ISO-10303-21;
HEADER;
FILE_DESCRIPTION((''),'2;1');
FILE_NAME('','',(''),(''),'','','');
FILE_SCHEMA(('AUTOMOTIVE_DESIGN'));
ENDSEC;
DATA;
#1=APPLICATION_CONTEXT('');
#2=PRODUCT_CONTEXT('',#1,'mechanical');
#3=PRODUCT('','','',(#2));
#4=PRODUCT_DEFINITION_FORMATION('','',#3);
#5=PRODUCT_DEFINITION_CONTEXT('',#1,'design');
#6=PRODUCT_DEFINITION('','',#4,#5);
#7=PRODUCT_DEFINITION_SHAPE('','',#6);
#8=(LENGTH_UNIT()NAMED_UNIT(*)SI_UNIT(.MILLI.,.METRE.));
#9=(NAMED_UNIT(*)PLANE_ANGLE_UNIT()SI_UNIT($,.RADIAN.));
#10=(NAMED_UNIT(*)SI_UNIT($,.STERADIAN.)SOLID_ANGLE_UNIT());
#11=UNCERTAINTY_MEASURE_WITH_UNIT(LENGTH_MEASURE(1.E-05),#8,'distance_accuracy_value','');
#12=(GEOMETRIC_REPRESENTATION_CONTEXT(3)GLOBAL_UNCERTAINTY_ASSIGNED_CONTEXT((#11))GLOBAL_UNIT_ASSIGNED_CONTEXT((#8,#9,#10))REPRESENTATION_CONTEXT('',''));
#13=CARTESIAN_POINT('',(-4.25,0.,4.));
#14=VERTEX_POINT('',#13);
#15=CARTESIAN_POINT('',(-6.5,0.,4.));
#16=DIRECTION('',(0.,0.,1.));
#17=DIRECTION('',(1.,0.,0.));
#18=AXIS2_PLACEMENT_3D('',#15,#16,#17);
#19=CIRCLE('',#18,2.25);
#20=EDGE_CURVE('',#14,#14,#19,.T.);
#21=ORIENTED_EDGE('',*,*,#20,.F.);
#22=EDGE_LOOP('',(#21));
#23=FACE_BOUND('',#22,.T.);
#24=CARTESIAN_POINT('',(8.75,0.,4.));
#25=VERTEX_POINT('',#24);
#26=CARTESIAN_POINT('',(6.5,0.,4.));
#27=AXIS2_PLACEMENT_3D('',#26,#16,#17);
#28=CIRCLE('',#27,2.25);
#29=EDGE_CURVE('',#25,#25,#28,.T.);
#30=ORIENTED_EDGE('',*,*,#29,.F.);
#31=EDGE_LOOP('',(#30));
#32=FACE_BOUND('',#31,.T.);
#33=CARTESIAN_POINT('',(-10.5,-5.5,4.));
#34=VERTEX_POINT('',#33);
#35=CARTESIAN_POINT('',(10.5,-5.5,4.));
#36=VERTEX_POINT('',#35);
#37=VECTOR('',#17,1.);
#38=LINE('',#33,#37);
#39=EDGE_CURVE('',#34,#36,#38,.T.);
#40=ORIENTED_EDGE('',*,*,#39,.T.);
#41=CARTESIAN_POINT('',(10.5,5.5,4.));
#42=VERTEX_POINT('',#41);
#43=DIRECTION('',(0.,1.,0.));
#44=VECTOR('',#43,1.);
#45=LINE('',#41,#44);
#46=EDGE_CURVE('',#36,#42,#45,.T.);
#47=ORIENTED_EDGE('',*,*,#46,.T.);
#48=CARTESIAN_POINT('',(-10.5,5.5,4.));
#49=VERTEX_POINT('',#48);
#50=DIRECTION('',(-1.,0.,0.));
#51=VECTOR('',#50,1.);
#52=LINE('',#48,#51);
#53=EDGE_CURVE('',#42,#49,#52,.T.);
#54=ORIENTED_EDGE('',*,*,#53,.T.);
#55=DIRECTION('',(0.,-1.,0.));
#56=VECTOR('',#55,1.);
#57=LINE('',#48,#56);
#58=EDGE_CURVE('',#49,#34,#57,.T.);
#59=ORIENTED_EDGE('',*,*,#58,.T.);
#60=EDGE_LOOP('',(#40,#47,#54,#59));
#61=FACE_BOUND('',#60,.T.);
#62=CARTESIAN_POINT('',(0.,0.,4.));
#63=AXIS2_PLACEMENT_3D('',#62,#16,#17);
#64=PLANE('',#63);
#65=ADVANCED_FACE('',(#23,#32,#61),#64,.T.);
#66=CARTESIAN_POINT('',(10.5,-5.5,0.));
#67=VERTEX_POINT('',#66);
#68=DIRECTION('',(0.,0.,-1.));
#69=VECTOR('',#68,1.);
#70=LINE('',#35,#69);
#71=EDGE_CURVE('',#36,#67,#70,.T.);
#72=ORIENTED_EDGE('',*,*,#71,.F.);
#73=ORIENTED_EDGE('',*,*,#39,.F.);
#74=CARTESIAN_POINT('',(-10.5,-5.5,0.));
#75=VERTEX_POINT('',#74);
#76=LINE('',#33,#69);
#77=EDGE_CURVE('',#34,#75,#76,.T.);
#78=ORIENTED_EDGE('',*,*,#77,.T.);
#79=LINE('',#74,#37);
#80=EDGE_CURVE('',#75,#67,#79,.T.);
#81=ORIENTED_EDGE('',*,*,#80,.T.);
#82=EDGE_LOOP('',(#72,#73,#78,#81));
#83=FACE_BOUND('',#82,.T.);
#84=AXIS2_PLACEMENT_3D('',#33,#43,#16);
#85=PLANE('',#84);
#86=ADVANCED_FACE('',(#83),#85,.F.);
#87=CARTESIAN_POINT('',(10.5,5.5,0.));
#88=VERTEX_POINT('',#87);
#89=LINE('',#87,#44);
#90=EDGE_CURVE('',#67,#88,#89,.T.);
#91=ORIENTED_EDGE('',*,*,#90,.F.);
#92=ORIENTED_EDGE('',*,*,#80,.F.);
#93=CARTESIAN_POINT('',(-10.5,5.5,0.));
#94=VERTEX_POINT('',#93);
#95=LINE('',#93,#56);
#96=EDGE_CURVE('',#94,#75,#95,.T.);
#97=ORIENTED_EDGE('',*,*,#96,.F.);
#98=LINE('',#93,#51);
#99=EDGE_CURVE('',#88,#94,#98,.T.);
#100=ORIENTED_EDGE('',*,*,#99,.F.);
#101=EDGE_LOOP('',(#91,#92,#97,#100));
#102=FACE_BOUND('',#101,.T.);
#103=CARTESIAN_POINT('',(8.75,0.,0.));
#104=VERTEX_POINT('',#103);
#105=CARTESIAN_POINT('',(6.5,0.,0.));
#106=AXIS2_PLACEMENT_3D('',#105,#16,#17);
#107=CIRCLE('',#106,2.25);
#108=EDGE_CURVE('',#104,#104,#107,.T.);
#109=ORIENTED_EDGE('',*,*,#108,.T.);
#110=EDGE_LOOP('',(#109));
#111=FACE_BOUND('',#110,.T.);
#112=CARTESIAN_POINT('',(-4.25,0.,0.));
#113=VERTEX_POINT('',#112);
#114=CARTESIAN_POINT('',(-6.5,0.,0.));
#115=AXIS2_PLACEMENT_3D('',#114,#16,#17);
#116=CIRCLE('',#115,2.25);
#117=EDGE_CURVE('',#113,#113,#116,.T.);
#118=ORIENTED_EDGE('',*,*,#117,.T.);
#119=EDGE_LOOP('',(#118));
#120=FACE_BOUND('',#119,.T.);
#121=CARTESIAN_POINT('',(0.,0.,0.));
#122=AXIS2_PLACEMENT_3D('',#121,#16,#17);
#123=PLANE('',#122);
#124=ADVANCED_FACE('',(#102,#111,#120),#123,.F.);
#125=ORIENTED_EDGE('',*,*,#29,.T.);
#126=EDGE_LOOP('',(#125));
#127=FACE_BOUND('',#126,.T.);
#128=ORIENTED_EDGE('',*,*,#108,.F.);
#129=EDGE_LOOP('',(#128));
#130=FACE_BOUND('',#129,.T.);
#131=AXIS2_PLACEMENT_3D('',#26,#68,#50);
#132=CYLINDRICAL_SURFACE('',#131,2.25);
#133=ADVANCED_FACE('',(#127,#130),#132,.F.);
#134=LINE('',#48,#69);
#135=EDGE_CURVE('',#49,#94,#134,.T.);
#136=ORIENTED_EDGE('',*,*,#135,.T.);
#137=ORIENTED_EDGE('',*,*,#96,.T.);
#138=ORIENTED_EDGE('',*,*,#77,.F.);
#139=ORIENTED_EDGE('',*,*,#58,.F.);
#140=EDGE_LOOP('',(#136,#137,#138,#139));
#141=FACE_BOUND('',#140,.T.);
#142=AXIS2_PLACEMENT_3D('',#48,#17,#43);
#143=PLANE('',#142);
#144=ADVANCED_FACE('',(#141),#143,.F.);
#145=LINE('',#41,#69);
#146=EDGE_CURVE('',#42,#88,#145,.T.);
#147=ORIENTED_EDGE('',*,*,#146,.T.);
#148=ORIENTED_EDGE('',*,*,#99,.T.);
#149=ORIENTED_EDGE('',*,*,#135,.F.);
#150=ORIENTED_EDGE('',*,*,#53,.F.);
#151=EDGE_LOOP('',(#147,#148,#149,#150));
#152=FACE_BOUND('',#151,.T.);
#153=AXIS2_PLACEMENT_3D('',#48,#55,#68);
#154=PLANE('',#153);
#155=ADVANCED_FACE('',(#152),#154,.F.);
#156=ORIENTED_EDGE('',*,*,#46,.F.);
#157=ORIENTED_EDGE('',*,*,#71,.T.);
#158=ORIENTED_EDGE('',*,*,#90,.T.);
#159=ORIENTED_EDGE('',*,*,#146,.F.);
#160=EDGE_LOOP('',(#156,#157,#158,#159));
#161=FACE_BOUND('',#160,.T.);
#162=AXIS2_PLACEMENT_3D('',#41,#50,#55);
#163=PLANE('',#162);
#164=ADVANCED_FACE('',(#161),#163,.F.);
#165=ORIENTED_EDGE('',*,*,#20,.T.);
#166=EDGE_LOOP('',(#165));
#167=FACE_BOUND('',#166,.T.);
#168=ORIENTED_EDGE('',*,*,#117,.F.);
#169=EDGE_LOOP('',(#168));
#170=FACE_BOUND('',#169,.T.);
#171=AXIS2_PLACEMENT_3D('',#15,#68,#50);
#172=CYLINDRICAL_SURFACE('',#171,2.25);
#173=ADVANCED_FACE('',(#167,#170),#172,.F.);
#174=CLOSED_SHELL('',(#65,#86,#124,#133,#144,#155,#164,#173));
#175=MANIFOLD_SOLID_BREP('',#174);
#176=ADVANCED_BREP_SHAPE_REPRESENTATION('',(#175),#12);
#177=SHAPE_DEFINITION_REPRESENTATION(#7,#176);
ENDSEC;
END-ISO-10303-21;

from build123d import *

# Parameters (mm, degrees)
SKETCH1_W           = 21
SKETCH1_H           = 11
SKETCH1_R           = 2.25
BOSS_EXTRUDE1_DEPTH = 4


with BuildPart() as part:
    # Sketch1 → Boss-Extrude1 (new body)
    with BuildSketch(Plane.XY):
        Rectangle(SKETCH1_W, SKETCH1_H)
        with Locations((-6.5, 0)):
            Circle(SKETCH1_R, mode=Mode.SUBTRACT)
        with Locations((6.5, 0)):
            Circle(SKETCH1_R, mode=Mode.SUBTRACT)
    extrude(amount=BOSS_EXTRUDE1_DEPTH)


solid = part.part
